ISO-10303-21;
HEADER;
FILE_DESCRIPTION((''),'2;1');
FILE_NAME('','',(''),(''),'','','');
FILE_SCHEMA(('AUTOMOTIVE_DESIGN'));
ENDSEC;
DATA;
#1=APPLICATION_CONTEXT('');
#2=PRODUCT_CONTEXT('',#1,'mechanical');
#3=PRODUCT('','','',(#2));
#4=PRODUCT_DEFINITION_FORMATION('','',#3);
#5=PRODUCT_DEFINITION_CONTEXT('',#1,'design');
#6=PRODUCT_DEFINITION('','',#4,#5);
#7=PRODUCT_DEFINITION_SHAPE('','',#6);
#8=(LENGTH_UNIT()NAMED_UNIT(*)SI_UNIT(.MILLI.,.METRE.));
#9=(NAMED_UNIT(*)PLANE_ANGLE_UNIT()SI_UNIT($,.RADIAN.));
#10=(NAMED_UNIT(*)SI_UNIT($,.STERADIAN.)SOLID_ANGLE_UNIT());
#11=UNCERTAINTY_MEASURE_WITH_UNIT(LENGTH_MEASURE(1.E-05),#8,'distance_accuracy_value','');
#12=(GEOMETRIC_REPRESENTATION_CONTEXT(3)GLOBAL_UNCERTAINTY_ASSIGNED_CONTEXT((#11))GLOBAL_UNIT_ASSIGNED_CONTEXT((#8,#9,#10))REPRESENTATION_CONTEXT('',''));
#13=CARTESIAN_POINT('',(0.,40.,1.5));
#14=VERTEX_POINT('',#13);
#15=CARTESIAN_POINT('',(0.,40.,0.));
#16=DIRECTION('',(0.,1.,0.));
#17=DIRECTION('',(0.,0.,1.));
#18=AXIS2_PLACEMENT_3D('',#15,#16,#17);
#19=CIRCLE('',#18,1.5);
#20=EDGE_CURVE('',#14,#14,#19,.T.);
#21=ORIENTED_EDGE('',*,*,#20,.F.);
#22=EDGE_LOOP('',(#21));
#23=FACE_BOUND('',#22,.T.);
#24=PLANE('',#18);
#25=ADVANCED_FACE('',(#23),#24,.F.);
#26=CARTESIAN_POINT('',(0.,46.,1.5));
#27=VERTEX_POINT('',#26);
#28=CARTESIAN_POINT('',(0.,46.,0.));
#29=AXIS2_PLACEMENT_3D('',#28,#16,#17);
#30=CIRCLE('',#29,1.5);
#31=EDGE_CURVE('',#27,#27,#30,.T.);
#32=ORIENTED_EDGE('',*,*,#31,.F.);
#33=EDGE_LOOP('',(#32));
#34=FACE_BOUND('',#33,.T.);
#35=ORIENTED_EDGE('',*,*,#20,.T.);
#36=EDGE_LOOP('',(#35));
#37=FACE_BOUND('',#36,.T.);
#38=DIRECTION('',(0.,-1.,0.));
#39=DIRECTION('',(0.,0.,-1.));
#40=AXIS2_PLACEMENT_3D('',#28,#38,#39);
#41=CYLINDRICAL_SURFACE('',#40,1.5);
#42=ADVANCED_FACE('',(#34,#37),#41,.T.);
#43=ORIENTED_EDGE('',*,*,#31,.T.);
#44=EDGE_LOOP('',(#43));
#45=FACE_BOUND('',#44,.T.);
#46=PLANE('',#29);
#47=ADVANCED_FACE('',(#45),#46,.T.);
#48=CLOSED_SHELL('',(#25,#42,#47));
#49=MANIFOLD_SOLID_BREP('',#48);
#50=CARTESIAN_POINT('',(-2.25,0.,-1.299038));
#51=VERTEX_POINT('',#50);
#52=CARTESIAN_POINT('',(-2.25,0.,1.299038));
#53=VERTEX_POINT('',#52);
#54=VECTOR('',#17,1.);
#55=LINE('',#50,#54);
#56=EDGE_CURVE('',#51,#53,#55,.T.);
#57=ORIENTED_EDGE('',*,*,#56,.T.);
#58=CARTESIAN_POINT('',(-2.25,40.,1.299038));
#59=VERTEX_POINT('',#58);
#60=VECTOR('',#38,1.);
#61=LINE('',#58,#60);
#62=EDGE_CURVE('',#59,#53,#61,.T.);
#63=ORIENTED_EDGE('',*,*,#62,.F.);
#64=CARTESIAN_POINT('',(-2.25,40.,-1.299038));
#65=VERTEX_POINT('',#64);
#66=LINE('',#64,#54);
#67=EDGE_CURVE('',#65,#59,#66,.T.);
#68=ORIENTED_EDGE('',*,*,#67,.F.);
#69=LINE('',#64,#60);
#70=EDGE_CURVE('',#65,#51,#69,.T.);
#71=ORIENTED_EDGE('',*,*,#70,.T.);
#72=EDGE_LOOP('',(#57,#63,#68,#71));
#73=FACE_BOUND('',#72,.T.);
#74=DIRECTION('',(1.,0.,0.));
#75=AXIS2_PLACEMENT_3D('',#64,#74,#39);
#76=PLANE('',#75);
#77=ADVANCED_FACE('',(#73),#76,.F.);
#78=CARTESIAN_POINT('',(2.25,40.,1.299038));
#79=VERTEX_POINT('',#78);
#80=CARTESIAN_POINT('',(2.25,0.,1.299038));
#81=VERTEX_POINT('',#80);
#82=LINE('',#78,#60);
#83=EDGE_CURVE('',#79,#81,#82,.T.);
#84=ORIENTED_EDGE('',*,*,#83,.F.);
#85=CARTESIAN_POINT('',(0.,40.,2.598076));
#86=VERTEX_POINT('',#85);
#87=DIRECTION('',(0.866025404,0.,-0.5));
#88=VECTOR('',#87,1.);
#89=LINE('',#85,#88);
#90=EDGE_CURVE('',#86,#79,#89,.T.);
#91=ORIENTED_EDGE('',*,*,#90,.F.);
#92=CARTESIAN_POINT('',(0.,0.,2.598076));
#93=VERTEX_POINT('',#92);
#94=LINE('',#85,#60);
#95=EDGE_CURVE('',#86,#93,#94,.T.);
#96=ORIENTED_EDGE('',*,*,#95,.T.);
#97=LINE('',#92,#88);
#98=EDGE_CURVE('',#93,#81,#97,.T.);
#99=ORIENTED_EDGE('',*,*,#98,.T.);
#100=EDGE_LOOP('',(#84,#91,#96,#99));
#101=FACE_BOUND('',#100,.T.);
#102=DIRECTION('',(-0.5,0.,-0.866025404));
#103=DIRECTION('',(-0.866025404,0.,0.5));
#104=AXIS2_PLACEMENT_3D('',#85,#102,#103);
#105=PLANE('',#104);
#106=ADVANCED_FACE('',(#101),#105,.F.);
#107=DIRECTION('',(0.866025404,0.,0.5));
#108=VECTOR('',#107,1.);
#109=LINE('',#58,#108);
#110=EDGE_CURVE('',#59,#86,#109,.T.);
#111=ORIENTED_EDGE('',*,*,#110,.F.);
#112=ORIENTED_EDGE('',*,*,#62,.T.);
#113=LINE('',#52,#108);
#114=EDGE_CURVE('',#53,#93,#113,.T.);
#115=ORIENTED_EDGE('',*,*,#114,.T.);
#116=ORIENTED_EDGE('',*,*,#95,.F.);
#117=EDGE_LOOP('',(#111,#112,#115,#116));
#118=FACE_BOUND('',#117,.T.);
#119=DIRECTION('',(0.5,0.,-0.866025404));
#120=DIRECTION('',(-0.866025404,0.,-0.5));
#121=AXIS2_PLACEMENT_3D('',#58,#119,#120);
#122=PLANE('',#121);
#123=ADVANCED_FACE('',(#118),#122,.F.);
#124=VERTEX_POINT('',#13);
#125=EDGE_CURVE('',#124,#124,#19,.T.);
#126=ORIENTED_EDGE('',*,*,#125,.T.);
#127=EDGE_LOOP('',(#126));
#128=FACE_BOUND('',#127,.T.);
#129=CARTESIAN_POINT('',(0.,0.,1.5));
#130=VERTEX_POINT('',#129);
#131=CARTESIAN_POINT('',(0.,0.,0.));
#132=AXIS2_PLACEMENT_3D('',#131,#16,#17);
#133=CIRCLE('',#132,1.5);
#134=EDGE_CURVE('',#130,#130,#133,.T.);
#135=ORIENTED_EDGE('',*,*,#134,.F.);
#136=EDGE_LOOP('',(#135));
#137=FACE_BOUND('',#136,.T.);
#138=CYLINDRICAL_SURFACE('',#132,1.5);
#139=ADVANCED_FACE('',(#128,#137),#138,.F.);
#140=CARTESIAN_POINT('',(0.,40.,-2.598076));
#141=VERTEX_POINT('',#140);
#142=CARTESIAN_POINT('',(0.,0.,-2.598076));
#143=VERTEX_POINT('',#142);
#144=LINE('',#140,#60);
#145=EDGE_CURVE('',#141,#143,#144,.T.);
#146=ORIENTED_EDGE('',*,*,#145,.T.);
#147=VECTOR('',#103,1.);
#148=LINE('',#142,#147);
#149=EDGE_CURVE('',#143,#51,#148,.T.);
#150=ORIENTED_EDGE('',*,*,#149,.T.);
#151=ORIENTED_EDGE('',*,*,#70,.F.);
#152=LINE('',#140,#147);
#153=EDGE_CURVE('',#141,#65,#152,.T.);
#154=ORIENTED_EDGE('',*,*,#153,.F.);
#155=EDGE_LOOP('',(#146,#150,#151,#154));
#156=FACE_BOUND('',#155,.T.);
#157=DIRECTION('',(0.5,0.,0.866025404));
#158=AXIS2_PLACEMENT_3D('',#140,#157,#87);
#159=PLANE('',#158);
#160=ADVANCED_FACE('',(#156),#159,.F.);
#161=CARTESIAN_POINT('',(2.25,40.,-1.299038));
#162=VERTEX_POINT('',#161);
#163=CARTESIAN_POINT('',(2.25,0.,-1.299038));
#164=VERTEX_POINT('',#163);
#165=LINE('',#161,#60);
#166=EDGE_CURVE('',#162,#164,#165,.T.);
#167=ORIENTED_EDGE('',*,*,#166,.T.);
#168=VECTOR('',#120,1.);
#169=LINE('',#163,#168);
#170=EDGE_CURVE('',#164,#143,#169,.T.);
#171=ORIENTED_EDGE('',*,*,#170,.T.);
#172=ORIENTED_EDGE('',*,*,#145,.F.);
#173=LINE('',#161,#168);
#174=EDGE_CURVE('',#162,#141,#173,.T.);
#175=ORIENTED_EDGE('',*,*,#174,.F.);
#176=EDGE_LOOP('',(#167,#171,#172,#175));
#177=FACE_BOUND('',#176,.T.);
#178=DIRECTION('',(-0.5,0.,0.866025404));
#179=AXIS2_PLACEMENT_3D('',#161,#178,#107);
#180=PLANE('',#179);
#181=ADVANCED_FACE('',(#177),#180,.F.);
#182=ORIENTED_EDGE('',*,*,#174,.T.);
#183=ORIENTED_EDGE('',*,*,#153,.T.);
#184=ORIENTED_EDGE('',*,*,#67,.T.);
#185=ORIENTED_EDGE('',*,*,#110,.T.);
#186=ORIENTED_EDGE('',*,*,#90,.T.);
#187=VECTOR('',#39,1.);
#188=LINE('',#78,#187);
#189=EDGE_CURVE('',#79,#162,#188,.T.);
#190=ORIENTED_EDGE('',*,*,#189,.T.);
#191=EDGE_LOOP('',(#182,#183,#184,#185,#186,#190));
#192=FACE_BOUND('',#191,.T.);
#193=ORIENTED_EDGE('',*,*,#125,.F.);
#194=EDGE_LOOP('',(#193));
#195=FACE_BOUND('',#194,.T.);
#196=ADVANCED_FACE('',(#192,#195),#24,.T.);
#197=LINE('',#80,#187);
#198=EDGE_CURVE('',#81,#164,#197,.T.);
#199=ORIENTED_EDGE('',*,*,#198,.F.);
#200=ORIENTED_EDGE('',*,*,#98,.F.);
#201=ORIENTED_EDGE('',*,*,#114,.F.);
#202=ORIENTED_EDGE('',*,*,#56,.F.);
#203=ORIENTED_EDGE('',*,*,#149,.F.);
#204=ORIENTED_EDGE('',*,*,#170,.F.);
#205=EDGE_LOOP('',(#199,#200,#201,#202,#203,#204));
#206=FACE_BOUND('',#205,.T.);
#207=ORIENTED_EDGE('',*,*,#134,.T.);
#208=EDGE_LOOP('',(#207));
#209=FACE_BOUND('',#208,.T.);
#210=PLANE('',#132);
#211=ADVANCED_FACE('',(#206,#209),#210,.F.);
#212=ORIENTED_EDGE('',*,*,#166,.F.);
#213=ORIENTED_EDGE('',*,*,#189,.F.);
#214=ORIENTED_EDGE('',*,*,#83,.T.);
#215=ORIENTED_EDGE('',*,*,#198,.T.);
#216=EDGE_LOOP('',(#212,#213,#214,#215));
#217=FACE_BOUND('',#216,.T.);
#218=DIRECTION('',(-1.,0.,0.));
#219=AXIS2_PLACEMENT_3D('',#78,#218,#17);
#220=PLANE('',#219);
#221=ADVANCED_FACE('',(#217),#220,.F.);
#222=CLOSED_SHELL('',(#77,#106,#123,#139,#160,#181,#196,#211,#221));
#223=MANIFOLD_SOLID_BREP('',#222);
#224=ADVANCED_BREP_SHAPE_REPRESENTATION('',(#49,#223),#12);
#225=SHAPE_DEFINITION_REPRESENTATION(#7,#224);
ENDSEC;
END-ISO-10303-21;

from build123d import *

# Parameters (mm, degrees)
BOSS_EXTRUDE1_DEPTH = 40
SKETCH2_R           = 1.5
CUT_EXTRUDE1_DEPTH  = 40
SKETCH3_R           = 1.5
BOSS_EXTRUDE2_DEPTH = 6


with BuildPart() as part:
    # Sketch1 → Boss-Extrude1 (new body)
    with BuildSketch(Plane(origin=(0, 0, 0), x_dir=(1, 0, 0), z_dir=(0, 1, 0))):
        Polygon((0, 2.598076211), (-2.25, 1.299038106), (-2.25, -1.299038106), (0, -2.598076211), (2.25, -1.299038106), (2.25, 1.299038106), align=None)
    extrude(amount=BOSS_EXTRUDE1_DEPTH)

    # Sketch2 → Cut-Extrude1 (cut)
    with BuildSketch(Plane(origin=(0, 40, 0), x_dir=(1, 0, 0), z_dir=(0, 1, 0))):
        with Locations(Location((0, 0, 0), (0, 0, 270))):
            Circle(SKETCH2_R)
    extrude(amount=-CUT_EXTRUDE1_DEPTH, mode=Mode.SUBTRACT)


with BuildPart() as body_2:
    # Sketch3 → Boss-Extrude2 (new body)
    with BuildSketch(Plane(origin=(0, 40, 0), x_dir=(1, 0, 0), z_dir=(0, 1, 0))):
        with Locations(Location((0, 0, 0), (0, 0, 270))):
            Circle(SKETCH3_R)
    extrude(amount=BOSS_EXTRUDE2_DEPTH)


solid = Compound([part.part, body_2.part])
